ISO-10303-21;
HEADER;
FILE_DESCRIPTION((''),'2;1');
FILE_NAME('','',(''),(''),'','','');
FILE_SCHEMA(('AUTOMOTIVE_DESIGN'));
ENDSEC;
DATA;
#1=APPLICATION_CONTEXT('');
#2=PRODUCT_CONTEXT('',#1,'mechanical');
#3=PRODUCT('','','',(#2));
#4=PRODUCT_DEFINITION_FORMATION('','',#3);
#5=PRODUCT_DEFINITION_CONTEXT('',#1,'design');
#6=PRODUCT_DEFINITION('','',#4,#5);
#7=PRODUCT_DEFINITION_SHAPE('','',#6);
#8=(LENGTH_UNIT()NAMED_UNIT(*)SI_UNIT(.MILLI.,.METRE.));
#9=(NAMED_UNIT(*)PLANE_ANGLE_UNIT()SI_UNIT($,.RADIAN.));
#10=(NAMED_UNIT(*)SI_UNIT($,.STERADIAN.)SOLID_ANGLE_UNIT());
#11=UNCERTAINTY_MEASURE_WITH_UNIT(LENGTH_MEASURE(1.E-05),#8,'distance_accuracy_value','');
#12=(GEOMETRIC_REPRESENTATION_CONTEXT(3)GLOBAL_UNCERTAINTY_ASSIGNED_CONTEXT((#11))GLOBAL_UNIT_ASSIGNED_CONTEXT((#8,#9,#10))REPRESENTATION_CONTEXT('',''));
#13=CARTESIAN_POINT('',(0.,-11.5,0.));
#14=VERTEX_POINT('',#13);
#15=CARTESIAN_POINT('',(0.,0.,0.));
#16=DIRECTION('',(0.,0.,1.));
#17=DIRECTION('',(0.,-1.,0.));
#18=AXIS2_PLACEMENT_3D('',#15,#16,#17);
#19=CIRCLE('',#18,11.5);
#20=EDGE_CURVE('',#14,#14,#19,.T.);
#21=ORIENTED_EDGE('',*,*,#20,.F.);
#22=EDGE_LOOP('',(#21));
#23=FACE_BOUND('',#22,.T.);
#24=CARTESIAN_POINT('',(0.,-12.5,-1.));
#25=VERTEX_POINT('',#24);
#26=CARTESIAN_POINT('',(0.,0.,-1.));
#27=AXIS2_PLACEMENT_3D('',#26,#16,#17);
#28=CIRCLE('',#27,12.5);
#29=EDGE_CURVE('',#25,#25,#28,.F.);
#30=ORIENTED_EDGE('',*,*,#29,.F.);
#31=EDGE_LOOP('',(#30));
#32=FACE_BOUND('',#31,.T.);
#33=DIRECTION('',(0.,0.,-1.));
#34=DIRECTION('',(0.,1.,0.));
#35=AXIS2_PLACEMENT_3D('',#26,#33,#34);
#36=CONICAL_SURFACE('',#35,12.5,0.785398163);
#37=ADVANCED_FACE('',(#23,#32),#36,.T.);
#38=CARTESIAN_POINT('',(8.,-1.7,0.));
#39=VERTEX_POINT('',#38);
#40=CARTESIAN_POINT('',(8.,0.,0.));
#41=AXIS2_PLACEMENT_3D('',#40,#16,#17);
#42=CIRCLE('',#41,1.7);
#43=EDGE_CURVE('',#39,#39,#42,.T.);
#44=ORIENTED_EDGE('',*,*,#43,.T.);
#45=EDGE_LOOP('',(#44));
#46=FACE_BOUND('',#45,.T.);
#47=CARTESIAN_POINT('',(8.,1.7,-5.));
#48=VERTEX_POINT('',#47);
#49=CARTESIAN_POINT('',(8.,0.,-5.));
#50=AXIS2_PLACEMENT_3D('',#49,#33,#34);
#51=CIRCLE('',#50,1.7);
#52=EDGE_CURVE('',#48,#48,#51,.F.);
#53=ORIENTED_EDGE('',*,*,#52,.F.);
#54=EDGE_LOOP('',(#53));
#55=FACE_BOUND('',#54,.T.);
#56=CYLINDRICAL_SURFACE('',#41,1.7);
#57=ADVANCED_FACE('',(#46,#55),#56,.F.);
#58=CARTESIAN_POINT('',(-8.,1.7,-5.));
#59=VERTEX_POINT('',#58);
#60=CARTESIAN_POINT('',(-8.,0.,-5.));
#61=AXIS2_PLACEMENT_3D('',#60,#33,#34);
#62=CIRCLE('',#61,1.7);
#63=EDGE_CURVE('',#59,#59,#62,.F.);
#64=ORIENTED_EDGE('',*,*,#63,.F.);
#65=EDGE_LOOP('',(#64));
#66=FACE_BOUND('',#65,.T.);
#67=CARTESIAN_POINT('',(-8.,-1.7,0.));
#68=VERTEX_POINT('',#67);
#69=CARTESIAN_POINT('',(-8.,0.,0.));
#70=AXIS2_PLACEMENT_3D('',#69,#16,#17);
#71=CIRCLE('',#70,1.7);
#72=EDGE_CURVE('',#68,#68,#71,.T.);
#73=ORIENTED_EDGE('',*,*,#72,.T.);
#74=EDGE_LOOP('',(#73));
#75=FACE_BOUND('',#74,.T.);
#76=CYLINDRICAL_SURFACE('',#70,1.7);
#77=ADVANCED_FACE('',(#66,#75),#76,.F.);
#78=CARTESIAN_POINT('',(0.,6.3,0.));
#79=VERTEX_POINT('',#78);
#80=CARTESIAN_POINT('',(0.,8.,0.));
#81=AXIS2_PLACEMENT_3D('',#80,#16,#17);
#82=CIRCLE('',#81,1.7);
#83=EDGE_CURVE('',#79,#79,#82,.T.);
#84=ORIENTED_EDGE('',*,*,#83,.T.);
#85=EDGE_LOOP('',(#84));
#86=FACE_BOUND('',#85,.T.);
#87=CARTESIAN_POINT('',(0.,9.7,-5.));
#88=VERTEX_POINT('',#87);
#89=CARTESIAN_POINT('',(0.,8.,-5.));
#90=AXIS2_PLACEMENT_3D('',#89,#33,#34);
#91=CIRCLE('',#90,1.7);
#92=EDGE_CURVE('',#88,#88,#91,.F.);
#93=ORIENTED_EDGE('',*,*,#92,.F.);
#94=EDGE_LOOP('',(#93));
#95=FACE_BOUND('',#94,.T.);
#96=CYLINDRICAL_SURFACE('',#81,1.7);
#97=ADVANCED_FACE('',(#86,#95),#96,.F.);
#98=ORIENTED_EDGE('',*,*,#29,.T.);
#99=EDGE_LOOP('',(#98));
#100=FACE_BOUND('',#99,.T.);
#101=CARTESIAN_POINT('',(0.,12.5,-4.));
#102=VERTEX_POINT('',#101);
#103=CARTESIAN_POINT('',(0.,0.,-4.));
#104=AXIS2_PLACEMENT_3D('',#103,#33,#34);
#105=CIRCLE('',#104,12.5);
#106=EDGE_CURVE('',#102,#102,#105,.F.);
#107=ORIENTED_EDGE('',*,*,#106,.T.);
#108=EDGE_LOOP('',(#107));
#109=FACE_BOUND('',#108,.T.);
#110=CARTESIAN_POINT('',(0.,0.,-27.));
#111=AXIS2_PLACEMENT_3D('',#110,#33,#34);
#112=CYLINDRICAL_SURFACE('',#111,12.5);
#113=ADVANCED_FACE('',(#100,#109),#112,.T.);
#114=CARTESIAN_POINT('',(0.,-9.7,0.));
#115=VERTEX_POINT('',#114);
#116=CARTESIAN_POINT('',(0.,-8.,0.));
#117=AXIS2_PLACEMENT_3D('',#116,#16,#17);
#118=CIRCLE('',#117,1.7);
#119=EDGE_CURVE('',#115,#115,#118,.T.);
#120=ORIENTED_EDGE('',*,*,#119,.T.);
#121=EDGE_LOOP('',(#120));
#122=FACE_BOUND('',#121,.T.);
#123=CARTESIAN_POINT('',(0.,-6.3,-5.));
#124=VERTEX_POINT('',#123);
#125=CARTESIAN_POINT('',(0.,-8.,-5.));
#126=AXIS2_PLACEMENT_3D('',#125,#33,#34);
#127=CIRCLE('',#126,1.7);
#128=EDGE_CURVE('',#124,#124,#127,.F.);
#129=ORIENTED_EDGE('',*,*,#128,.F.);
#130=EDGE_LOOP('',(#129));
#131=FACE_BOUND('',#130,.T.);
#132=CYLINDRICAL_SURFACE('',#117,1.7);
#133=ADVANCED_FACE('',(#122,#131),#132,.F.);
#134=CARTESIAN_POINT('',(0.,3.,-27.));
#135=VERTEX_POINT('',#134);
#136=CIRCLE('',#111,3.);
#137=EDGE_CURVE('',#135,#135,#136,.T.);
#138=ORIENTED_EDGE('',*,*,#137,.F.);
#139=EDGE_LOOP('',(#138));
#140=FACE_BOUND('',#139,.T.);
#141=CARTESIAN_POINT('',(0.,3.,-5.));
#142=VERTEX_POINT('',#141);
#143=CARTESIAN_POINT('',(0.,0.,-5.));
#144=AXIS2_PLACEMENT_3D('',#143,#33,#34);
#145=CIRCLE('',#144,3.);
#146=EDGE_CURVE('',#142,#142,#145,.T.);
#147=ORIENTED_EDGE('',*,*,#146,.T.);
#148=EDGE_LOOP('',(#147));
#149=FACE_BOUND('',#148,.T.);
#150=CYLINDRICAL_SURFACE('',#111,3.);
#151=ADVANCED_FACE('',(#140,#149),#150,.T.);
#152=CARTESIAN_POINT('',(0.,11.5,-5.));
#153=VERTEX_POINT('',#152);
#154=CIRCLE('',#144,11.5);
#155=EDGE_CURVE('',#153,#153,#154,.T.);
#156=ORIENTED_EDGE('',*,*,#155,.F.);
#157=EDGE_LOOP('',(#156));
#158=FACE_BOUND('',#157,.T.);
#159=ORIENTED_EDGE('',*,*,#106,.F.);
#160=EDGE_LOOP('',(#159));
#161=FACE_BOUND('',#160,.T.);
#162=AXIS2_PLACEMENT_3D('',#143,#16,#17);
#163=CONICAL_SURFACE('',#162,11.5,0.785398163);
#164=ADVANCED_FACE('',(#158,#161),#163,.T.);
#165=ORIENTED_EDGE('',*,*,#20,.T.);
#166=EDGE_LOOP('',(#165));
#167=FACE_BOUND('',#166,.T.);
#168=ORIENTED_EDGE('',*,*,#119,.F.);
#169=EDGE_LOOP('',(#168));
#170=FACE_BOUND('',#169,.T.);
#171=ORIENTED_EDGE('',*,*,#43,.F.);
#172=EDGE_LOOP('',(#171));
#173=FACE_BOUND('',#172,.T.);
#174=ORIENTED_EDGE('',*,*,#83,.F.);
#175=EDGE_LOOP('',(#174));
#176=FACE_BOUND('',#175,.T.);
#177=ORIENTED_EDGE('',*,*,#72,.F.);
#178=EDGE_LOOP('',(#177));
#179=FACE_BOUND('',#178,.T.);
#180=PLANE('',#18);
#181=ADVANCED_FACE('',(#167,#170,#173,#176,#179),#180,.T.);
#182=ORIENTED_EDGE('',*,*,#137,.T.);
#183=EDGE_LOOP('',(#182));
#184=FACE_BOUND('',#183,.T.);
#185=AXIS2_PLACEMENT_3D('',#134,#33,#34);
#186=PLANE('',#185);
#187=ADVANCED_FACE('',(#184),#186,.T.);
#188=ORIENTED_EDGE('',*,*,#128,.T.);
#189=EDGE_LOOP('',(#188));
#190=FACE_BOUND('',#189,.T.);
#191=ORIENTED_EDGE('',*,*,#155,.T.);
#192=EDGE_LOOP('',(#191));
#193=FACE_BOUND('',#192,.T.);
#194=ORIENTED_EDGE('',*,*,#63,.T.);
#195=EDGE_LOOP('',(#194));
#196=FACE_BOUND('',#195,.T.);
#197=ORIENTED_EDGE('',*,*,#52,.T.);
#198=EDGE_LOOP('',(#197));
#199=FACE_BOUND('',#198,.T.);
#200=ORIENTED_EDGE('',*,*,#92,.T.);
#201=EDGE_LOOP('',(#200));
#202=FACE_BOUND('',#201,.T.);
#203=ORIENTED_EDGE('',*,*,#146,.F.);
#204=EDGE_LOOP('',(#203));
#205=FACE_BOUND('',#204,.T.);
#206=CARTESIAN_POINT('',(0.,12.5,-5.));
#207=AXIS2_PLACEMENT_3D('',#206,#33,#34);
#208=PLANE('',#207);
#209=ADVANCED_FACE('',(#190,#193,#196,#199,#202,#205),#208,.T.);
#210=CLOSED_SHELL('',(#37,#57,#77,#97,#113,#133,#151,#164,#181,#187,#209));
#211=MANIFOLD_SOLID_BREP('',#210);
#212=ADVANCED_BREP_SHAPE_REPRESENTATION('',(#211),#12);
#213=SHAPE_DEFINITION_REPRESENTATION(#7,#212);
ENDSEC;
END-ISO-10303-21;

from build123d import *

# Parameters (mm, degrees)
M3_CLEARANCE_HOLE1_D = 3.4
CIRPATTERN1_COUNT    = 4
CHAMFER1_SIZE        = 1


with BuildPart() as part:
    # Sketch1 → Revolve1 (revolve)
    with BuildSketch(Plane(origin=(0, 0, 0), x_dir=(0, 0, -1), z_dir=(1, 0, 0))):
        Polygon((0, 0), (0, 12.5), (5, 12.5), (5, 3), (27, 3), (27, 0), align=None)
    revolve(axis=Axis((0, 0, -27), (0, 0, 1)))

    # M3 Clearance Hole1 (through all)
    with Locations(Plane(origin=(8, 0, 0), x_dir=(0, 1, 0), z_dir=(0, 0, 1))):
        with Locations((0, 0)):
            m3_clearance_hole1 = Hole(M3_CLEARANCE_HOLE1_D / 2)

    # CirPattern1: M3 Clearance Hole1 ×4 about axis
    cirpattern1_axis = Axis((0, 0, 0), (0, 0, 1))
    for i in range(1, CIRPATTERN1_COUNT):
        add(m3_clearance_hole1.rotate(cirpattern1_axis, i * 360 / CIRPATTERN1_COUNT), mode=Mode.SUBTRACT)

    # Chamfer1
    chamfer1_edges = [part.edges().sort_by_distance(p)[0] for p in [
        (0, -12.5, -5),
        (0, -12.5, 0),
    ]]
    chamfer(chamfer1_edges, length=CHAMFER1_SIZE)


solid = part.part
